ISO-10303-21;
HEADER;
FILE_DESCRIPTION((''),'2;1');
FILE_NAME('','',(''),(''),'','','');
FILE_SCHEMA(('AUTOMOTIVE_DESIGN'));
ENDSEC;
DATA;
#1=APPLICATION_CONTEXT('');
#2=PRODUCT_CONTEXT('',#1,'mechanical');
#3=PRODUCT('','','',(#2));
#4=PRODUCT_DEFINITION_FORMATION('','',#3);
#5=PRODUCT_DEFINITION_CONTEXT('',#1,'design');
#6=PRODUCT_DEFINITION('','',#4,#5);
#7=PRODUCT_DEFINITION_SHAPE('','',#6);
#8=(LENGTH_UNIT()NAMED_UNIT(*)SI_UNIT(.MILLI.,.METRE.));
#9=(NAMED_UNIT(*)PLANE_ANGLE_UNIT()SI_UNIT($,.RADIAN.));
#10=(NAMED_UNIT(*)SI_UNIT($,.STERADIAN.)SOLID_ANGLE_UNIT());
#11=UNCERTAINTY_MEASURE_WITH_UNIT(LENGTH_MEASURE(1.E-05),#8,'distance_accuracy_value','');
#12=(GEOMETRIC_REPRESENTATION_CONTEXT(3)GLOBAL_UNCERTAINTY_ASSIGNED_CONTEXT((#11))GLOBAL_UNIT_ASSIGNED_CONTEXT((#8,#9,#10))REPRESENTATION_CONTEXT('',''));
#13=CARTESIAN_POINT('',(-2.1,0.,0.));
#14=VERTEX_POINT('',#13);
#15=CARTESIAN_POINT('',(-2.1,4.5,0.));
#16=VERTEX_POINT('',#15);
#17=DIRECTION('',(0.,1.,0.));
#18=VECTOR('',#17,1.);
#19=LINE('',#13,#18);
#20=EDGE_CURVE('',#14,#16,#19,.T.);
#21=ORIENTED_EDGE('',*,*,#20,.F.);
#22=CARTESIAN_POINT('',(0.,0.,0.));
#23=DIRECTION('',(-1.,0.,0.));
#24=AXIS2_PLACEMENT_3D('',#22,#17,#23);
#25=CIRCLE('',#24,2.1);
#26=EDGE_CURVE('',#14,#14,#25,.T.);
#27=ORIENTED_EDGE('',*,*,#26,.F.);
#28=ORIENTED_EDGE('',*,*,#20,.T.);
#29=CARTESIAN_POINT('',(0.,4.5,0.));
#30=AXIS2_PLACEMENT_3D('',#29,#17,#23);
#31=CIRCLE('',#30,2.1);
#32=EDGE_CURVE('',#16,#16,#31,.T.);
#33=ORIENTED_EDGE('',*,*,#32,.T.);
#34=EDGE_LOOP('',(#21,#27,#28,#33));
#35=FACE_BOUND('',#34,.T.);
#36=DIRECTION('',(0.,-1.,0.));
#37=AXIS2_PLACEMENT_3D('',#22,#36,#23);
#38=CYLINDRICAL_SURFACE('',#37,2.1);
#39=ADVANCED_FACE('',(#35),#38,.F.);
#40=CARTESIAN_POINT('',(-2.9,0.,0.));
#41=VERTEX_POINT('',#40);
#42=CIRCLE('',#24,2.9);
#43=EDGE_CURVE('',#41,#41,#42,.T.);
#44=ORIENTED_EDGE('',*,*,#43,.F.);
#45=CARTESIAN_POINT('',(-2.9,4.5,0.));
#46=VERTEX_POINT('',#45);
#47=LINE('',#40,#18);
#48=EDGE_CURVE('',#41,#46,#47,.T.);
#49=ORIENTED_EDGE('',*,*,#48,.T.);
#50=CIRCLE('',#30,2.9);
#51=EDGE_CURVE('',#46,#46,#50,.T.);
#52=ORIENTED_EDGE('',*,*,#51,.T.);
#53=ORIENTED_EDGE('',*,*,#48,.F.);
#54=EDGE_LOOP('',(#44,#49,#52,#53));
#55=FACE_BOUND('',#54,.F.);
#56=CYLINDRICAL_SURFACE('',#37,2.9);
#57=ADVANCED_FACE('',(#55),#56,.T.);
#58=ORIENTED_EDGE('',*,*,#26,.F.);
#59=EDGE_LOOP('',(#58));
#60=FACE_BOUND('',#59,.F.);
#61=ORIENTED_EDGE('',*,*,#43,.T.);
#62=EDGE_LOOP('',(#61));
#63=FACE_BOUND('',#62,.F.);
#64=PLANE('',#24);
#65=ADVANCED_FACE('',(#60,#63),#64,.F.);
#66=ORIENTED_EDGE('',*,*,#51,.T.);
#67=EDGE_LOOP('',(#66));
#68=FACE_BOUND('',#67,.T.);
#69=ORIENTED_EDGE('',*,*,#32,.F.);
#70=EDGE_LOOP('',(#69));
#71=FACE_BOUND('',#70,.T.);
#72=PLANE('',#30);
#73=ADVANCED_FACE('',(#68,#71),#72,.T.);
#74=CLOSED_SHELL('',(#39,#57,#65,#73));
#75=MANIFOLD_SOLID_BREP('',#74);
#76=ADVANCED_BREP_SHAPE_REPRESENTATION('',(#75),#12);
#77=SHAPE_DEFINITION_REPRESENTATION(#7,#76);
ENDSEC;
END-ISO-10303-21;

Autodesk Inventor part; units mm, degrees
ref_plane "YZ Plane" through (0, 0, 0) normal (1, 0, 0) x (0, 1, 0)
ref_plane "XZ Plane" through (0, 0, 0) normal (0, 1, 0) x (-1, 0, 0)
ref_plane "XY Plane" through (0, 0, 0) normal (0, 0, 1) x (1, 0, 0)
sketch "Sketch1" plane through (0, 0, 0) normal (0, 1, 0) x (-1, 0, 0)
  circle A0 centre (0, 0) radius 2.1
  circle A1 centre (0, 0) radius 2.9
  dimension "d0" = 4.2
  dimension "d1" = 5.8
extrude "Extrusion1" add sketch "Sketch1" along normal blind 4.5
properties part number "HousingLidSpacer"
